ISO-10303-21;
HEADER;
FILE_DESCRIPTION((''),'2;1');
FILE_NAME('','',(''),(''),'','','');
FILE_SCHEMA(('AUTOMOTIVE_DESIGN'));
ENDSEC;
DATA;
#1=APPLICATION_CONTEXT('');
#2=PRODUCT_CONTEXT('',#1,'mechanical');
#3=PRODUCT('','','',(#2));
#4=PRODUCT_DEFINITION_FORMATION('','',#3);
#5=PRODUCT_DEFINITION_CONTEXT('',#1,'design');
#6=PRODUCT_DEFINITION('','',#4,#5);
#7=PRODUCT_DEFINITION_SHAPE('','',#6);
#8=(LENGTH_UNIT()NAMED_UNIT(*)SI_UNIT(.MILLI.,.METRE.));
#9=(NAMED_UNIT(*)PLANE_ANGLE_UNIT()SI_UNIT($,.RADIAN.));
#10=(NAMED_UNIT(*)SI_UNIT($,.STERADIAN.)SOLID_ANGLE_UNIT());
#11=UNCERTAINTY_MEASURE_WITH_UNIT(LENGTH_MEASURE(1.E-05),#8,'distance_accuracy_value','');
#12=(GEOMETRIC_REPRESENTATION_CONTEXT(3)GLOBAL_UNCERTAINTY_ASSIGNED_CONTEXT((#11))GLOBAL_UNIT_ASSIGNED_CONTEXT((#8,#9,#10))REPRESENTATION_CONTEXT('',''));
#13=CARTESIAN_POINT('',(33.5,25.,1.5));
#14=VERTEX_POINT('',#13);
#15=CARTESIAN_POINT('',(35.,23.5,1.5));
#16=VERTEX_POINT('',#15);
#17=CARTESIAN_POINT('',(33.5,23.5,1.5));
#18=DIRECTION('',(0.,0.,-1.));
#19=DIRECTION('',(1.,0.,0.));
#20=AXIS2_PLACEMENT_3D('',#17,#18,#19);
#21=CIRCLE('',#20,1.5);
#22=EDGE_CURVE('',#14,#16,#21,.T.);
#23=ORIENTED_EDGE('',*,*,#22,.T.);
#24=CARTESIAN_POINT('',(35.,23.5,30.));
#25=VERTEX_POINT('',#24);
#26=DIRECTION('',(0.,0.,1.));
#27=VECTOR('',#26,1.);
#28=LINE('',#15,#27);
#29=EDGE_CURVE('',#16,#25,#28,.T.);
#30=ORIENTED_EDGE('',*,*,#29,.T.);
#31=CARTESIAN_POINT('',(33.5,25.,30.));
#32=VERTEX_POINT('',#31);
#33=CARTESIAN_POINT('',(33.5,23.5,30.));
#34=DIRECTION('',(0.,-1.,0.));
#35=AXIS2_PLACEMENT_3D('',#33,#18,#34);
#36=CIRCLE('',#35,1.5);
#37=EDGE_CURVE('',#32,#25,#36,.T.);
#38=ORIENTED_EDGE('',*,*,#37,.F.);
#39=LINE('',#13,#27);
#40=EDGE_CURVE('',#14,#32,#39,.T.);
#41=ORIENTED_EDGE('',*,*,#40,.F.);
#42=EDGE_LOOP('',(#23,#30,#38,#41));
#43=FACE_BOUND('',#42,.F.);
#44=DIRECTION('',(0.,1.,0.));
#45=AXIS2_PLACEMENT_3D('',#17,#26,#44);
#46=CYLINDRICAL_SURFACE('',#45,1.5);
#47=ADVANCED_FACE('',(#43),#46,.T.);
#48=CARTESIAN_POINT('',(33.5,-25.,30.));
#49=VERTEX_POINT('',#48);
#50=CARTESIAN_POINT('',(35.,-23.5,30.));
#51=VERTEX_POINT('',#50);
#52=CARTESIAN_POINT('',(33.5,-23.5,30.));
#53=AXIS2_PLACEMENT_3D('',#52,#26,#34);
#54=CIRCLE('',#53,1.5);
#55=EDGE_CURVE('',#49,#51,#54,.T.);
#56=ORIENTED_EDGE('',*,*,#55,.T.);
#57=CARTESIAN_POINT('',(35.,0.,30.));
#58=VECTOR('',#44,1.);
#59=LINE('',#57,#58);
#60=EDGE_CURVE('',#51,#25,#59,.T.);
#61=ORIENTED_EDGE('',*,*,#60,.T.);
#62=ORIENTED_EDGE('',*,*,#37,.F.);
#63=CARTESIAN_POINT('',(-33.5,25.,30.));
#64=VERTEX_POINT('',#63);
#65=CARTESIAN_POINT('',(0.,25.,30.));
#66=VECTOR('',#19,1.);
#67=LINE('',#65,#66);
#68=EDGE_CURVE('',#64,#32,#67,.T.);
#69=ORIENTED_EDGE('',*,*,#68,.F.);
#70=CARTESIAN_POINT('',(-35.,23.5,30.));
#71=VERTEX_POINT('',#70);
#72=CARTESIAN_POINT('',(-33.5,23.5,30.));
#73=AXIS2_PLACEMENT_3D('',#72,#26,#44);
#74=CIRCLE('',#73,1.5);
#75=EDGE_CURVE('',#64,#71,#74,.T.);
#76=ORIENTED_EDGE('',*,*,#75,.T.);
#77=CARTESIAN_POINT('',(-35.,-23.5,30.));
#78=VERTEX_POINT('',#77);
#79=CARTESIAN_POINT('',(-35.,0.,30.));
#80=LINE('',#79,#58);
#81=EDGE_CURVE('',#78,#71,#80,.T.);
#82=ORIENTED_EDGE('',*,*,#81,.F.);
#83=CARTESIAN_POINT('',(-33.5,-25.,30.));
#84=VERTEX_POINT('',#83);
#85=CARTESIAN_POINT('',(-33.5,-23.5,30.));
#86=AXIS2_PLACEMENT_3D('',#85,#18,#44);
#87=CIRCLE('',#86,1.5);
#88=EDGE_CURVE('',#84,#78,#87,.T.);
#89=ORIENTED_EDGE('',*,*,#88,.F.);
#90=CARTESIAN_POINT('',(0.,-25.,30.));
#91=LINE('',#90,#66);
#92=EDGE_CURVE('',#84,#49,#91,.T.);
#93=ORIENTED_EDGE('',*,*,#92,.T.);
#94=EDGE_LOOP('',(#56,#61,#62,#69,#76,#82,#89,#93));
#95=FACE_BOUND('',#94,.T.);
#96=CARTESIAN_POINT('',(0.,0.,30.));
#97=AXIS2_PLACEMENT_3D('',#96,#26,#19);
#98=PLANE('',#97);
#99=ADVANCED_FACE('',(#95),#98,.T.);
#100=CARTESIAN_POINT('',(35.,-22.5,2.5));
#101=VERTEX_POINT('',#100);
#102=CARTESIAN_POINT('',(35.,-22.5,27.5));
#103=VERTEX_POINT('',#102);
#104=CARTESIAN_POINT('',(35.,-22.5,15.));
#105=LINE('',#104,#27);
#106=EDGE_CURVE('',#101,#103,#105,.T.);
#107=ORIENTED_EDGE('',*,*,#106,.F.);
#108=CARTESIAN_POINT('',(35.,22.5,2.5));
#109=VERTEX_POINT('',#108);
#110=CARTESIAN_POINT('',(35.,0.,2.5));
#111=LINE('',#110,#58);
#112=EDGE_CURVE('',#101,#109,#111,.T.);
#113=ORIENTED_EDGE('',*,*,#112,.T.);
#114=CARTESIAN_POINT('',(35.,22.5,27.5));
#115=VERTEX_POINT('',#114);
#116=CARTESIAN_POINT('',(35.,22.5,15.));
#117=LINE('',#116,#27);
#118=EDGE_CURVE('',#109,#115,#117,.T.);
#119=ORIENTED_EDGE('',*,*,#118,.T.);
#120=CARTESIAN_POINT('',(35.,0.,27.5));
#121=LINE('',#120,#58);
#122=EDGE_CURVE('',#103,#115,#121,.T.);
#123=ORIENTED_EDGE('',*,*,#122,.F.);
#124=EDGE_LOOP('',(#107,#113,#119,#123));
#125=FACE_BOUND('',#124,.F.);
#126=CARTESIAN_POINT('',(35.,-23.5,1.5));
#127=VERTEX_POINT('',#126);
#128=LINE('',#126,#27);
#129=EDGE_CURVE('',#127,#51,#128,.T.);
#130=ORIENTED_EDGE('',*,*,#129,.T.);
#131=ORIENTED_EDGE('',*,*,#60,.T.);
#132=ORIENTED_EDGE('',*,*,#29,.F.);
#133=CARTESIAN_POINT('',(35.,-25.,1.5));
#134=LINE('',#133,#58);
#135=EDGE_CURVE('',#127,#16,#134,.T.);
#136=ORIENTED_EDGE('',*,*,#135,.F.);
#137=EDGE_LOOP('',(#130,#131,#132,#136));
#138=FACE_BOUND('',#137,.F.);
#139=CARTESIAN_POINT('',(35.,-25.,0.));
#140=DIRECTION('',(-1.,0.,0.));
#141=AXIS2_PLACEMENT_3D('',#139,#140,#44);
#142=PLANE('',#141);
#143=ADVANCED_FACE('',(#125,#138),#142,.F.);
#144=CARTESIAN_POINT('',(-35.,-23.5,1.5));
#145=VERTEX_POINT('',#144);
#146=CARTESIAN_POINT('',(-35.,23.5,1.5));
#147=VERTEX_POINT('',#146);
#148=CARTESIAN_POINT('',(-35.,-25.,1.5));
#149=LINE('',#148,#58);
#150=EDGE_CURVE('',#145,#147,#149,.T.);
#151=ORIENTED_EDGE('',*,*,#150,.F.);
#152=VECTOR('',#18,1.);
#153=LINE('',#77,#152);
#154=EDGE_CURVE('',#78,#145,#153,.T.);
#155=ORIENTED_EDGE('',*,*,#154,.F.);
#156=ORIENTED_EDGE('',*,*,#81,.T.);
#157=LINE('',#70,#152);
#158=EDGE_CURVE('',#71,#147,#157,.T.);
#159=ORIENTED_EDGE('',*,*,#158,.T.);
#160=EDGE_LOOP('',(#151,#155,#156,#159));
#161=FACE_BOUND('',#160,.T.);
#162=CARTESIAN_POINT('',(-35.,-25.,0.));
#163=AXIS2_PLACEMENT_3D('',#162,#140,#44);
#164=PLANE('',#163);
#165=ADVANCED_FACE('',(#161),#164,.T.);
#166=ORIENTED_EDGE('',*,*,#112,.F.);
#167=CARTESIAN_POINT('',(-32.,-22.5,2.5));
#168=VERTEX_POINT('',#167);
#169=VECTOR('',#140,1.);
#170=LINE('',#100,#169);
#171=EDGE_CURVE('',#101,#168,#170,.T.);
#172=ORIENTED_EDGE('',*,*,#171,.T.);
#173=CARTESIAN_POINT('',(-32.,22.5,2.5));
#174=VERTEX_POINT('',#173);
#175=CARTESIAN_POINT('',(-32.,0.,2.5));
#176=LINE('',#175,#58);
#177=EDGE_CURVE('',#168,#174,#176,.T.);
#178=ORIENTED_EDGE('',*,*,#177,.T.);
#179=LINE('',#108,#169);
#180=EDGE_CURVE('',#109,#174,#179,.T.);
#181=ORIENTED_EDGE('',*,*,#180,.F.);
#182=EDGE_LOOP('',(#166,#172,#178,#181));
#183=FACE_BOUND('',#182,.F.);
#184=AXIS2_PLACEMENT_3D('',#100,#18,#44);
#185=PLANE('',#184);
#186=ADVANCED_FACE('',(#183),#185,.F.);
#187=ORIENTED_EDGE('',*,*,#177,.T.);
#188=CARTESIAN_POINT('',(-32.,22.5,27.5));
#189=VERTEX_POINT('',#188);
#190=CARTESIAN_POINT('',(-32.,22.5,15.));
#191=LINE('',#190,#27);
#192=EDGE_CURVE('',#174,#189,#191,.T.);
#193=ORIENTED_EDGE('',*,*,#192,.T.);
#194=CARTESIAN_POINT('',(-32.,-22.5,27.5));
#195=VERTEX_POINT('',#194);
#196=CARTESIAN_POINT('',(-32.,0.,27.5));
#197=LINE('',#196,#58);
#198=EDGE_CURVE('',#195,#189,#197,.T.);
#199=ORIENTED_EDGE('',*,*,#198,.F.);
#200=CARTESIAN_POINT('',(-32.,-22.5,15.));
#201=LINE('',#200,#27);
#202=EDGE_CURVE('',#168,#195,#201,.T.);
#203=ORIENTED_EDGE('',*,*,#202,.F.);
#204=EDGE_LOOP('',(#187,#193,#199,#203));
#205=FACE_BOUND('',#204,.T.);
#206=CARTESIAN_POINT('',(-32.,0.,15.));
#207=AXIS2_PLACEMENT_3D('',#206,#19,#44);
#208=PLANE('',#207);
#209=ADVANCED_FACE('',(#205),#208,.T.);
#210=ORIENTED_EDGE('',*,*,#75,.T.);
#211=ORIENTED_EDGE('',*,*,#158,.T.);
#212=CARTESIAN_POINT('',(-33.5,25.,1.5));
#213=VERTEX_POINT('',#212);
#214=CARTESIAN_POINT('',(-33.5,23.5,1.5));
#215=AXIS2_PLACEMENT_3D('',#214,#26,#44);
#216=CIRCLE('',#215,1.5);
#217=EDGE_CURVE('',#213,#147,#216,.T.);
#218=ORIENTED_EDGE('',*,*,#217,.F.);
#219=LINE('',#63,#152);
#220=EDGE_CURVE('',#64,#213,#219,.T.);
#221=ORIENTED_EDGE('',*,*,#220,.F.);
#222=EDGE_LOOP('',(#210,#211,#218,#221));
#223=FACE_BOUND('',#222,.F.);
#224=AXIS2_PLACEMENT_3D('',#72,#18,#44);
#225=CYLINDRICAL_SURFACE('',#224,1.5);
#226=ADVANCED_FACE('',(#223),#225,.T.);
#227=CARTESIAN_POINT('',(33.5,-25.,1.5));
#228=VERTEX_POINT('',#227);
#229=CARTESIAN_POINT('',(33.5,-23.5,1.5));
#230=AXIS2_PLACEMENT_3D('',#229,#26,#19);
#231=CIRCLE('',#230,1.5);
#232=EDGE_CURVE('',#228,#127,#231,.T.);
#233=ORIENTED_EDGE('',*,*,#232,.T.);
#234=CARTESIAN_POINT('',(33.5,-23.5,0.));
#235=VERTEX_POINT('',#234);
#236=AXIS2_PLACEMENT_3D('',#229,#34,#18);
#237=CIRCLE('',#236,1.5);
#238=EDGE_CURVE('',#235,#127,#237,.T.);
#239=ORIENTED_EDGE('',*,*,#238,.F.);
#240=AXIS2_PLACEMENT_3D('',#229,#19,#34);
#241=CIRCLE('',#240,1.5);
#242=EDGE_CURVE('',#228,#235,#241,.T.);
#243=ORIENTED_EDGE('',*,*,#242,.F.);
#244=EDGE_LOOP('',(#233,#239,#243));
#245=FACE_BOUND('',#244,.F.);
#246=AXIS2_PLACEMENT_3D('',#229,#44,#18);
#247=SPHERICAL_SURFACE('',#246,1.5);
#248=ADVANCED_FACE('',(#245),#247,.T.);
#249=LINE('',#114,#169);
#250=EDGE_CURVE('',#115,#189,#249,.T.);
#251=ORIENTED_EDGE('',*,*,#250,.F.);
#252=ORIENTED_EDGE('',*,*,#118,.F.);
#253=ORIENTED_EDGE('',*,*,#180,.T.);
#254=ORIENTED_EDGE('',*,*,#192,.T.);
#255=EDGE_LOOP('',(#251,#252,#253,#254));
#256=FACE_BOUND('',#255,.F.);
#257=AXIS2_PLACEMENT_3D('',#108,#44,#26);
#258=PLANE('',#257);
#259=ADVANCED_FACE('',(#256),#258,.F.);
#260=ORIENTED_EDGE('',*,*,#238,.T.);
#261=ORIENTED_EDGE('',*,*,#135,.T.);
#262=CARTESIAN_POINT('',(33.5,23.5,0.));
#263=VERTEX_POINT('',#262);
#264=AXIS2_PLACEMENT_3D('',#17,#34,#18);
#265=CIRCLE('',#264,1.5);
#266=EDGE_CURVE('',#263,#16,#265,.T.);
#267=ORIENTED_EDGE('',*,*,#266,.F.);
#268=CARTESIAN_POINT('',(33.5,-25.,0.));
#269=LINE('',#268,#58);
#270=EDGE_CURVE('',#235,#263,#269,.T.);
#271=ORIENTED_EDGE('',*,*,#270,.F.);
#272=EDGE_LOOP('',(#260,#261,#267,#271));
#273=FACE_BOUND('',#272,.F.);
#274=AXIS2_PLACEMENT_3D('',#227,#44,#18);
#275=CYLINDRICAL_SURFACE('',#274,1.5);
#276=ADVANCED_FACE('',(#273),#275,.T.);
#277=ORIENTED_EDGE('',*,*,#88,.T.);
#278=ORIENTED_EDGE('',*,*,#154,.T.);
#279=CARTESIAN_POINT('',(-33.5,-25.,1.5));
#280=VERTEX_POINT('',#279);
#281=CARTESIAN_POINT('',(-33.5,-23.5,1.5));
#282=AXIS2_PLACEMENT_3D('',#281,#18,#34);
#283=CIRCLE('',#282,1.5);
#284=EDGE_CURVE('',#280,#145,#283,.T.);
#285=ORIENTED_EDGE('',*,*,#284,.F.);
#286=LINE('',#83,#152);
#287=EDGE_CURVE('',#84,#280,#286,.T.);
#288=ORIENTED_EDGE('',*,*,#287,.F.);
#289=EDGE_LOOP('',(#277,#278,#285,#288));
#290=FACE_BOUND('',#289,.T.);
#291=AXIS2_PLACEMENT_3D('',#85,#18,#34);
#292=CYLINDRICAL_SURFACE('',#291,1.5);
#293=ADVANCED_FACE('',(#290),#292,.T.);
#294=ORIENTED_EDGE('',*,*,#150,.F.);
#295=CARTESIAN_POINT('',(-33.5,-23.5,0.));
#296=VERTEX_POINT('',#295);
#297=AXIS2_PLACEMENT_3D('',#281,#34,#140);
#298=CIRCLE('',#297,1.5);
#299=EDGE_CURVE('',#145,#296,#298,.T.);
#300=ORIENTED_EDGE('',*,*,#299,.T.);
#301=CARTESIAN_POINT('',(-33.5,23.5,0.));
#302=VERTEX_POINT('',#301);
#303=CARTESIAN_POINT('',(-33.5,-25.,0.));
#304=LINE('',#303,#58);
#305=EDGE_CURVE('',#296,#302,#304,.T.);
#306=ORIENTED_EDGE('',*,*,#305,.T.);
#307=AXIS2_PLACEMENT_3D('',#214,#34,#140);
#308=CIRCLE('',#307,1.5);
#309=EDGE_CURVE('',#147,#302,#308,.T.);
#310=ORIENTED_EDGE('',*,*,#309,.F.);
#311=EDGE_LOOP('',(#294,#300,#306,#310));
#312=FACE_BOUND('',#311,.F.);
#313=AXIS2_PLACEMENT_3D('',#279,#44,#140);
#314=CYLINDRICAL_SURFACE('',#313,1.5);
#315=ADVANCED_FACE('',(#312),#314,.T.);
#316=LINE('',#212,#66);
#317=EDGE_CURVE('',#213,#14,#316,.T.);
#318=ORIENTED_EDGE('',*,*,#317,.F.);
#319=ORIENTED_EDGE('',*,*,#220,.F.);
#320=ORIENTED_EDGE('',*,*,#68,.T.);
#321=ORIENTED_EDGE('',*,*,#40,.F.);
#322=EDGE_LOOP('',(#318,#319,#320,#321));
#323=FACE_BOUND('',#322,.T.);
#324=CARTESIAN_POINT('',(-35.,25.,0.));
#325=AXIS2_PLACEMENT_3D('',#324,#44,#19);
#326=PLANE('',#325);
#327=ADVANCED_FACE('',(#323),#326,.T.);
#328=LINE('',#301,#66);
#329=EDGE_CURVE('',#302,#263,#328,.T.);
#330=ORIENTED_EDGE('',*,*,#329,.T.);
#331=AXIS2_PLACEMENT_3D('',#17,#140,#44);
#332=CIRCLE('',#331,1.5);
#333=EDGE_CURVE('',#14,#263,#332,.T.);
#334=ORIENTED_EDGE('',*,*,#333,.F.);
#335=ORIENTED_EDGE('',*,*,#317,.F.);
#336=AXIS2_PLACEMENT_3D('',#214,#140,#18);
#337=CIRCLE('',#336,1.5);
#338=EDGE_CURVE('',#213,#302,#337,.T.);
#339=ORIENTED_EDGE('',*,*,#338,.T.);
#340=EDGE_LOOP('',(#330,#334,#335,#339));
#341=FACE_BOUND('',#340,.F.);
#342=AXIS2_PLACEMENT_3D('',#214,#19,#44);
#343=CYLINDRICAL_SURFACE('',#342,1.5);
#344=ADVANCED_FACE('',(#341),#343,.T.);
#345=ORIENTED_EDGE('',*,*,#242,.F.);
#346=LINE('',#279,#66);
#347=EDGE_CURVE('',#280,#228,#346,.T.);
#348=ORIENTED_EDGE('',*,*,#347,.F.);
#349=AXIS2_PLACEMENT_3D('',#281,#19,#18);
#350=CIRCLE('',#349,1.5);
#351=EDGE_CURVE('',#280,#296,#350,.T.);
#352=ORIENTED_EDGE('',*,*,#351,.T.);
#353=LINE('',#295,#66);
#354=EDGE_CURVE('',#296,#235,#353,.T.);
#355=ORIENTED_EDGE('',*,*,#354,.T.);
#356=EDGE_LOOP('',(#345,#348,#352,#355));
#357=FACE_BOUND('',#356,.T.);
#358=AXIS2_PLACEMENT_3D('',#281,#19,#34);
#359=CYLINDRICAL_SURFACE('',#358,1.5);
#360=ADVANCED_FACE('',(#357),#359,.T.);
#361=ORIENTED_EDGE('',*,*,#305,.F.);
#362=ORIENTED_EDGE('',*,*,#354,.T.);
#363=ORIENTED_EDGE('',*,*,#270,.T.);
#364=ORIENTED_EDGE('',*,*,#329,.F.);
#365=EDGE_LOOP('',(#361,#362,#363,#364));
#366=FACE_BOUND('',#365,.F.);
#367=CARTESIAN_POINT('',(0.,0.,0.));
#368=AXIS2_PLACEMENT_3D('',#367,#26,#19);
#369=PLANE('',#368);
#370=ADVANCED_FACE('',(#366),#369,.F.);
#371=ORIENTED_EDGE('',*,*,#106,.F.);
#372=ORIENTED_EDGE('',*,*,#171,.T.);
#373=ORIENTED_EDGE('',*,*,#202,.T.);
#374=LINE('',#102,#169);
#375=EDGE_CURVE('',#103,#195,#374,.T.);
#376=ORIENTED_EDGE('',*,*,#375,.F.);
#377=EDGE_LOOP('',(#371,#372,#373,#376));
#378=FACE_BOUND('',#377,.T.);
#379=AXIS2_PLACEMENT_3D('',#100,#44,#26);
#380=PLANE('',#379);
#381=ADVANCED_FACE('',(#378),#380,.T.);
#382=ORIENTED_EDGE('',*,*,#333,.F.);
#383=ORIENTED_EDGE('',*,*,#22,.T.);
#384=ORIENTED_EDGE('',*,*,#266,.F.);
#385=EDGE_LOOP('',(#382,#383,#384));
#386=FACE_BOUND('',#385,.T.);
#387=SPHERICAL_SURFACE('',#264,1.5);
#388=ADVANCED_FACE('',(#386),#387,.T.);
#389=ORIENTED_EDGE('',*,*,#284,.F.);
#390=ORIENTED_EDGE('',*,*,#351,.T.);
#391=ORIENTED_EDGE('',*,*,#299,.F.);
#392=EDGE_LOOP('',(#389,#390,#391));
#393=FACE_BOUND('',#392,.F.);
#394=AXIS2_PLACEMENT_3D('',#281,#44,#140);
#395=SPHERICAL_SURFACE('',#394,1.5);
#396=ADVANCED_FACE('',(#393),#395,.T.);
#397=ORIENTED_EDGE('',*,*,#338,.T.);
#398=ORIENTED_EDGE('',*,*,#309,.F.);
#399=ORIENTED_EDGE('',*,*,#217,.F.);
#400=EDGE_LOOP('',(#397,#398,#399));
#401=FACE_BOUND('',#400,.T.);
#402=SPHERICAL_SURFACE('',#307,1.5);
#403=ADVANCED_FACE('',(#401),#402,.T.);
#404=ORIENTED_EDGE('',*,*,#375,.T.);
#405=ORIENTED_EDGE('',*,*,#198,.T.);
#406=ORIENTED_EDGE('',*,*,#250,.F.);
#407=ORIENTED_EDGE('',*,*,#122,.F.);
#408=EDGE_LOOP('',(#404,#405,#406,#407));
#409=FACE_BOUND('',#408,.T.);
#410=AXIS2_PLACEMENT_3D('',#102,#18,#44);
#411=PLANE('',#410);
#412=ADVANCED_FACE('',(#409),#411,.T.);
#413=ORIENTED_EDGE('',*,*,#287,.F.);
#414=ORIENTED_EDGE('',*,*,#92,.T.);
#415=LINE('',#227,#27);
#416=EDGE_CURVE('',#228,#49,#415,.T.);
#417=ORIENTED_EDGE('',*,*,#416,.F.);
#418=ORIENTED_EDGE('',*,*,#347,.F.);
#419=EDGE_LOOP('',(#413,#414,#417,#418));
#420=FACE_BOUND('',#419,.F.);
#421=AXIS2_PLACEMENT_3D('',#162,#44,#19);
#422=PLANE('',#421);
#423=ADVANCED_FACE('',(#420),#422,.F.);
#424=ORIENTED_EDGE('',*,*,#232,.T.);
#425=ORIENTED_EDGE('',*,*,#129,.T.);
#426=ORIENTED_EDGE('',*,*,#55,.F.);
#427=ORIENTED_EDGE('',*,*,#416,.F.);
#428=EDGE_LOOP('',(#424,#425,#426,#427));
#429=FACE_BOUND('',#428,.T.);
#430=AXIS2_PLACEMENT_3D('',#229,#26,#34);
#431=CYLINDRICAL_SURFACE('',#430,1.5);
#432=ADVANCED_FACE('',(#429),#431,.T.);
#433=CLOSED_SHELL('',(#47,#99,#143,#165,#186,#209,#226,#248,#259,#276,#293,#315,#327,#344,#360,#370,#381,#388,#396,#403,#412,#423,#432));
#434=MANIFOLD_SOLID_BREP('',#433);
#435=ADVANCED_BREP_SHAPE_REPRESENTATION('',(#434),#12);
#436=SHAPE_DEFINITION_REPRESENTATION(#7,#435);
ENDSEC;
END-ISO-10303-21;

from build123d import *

# Parameters (mm, degrees)
SKETCH_W     = 70
SKETCH_H     = 50
PAD_DEPTH    = 30
SKETCH001_W  = 45
SKETCH001_H  = 25
POCKET_DEPTH = 67
FILLET_R     = 1.5
FILLET001_R  = 1.5
FILLET002_R  = 1.5
FILLET003_R  = 1.5


with BuildPart() as part:
    # Sketch → Pad (new body)
    with BuildSketch(Plane.XY):
        Rectangle(SKETCH_W, SKETCH_H)
    extrude(amount=PAD_DEPTH)

    # Sketch001 (on Face2 of Pad) → Pocket (cut)
    with BuildSketch(Plane.YZ.offset(35)):
        with Locations((0, 15)):
            Rectangle(SKETCH001_W, SKETCH001_H)
    extrude(amount=-POCKET_DEPTH, mode=Mode.SUBTRACT)

    # Fillet
    fillet_edges = [part.edges().sort_by_distance(p)[0] for p in [
        (-35, 0, 0),
    ]]
    fillet(fillet_edges, radius=FILLET_R)

    # Fillet001
    fillet001_edges = [part.edges().sort_by_distance(p)[0] for p in [
        (35, 0, 0),
    ]]
    fillet(fillet001_edges, radius=FILLET001_R)

    # Fillet002
    fillet002_edges = [part.edges().sort_by_distance(p)[0] for p in [
        (0, -25, 0),
    ]]
    fillet(fillet002_edges, radius=FILLET002_R)

    # Fillet003
    fillet003_edges = [part.edges().sort_by_distance(p)[0] for p in [
        (0, 25, 0),
    ]]
    fillet(fillet003_edges, radius=FILLET003_R)


solid = part.part
